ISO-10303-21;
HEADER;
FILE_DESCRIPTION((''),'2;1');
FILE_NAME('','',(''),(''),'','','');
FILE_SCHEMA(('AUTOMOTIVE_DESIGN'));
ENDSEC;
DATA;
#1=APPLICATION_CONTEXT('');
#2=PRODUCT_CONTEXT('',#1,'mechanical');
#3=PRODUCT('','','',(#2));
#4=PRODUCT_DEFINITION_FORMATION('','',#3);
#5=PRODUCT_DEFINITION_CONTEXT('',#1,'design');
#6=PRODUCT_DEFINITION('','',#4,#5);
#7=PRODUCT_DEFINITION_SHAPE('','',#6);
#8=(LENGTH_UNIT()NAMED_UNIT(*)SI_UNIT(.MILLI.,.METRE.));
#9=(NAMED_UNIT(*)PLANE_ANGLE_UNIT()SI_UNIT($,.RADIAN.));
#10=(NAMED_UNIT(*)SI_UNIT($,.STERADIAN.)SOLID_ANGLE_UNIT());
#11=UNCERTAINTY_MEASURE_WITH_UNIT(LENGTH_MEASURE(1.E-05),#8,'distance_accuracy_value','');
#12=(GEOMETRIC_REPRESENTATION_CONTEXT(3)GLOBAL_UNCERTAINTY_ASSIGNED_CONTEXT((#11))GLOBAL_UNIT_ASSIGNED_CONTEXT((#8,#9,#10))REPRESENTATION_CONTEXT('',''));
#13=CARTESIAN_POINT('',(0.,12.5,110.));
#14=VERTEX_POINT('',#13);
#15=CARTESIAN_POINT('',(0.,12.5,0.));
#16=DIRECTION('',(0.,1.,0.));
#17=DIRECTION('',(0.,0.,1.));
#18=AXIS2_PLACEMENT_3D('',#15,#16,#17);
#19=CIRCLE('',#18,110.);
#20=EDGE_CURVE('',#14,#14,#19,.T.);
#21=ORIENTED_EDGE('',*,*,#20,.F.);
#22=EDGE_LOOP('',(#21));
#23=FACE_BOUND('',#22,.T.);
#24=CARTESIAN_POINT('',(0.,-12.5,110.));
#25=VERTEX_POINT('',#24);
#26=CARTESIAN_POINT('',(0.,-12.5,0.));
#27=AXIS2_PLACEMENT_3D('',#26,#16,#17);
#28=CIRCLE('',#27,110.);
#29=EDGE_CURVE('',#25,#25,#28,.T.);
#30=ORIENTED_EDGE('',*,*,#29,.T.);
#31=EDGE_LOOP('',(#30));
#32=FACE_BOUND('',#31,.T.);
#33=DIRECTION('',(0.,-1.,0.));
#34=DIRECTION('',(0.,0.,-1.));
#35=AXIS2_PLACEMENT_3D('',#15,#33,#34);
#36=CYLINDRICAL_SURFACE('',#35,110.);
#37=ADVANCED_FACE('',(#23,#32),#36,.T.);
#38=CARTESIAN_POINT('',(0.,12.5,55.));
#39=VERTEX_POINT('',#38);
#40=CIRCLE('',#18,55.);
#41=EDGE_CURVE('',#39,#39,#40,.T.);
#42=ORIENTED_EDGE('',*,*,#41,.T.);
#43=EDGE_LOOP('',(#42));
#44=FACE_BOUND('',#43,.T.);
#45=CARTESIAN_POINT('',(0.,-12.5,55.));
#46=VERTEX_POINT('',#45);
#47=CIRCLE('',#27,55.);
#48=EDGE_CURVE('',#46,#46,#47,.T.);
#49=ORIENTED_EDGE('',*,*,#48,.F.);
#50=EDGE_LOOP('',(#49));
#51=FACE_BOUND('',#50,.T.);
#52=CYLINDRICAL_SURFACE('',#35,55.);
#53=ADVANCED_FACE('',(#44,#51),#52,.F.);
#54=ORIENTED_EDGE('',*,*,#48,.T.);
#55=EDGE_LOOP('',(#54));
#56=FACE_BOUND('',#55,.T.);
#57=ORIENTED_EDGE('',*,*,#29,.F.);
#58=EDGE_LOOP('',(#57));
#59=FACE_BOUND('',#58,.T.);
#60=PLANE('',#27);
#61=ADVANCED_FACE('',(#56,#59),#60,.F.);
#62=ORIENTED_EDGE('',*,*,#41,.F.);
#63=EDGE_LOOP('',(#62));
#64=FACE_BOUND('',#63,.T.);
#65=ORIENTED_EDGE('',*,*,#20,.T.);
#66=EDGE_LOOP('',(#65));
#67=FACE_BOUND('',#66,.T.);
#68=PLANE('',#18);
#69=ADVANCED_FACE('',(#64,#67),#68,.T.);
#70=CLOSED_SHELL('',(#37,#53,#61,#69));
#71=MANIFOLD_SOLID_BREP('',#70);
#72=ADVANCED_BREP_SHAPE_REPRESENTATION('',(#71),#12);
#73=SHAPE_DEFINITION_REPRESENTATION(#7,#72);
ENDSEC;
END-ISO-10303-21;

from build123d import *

# Parameters (mm, degrees)
SKETCH1_R           = 110
SKETCH1_R_2         = 55
BOSS_EXTRUDE1_DEPTH = 12.5


with BuildPart() as part:
    # Sketch1 → Boss-Extrude1 (new, symmetric)
    with BuildSketch(Plane(origin=(0, 0, 0), x_dir=(1, 0, 0), z_dir=(0, 1, 0))):
        with Locations(Location((0, 0, 0), (0, 0, 270))):
            Circle(SKETCH1_R)
        with Locations(Location((0, 0, 0), (0, 0, 270))):
            Circle(SKETCH1_R_2, mode=Mode.SUBTRACT)
    extrude(amount=BOSS_EXTRUDE1_DEPTH, both=True)


solid = part.part
